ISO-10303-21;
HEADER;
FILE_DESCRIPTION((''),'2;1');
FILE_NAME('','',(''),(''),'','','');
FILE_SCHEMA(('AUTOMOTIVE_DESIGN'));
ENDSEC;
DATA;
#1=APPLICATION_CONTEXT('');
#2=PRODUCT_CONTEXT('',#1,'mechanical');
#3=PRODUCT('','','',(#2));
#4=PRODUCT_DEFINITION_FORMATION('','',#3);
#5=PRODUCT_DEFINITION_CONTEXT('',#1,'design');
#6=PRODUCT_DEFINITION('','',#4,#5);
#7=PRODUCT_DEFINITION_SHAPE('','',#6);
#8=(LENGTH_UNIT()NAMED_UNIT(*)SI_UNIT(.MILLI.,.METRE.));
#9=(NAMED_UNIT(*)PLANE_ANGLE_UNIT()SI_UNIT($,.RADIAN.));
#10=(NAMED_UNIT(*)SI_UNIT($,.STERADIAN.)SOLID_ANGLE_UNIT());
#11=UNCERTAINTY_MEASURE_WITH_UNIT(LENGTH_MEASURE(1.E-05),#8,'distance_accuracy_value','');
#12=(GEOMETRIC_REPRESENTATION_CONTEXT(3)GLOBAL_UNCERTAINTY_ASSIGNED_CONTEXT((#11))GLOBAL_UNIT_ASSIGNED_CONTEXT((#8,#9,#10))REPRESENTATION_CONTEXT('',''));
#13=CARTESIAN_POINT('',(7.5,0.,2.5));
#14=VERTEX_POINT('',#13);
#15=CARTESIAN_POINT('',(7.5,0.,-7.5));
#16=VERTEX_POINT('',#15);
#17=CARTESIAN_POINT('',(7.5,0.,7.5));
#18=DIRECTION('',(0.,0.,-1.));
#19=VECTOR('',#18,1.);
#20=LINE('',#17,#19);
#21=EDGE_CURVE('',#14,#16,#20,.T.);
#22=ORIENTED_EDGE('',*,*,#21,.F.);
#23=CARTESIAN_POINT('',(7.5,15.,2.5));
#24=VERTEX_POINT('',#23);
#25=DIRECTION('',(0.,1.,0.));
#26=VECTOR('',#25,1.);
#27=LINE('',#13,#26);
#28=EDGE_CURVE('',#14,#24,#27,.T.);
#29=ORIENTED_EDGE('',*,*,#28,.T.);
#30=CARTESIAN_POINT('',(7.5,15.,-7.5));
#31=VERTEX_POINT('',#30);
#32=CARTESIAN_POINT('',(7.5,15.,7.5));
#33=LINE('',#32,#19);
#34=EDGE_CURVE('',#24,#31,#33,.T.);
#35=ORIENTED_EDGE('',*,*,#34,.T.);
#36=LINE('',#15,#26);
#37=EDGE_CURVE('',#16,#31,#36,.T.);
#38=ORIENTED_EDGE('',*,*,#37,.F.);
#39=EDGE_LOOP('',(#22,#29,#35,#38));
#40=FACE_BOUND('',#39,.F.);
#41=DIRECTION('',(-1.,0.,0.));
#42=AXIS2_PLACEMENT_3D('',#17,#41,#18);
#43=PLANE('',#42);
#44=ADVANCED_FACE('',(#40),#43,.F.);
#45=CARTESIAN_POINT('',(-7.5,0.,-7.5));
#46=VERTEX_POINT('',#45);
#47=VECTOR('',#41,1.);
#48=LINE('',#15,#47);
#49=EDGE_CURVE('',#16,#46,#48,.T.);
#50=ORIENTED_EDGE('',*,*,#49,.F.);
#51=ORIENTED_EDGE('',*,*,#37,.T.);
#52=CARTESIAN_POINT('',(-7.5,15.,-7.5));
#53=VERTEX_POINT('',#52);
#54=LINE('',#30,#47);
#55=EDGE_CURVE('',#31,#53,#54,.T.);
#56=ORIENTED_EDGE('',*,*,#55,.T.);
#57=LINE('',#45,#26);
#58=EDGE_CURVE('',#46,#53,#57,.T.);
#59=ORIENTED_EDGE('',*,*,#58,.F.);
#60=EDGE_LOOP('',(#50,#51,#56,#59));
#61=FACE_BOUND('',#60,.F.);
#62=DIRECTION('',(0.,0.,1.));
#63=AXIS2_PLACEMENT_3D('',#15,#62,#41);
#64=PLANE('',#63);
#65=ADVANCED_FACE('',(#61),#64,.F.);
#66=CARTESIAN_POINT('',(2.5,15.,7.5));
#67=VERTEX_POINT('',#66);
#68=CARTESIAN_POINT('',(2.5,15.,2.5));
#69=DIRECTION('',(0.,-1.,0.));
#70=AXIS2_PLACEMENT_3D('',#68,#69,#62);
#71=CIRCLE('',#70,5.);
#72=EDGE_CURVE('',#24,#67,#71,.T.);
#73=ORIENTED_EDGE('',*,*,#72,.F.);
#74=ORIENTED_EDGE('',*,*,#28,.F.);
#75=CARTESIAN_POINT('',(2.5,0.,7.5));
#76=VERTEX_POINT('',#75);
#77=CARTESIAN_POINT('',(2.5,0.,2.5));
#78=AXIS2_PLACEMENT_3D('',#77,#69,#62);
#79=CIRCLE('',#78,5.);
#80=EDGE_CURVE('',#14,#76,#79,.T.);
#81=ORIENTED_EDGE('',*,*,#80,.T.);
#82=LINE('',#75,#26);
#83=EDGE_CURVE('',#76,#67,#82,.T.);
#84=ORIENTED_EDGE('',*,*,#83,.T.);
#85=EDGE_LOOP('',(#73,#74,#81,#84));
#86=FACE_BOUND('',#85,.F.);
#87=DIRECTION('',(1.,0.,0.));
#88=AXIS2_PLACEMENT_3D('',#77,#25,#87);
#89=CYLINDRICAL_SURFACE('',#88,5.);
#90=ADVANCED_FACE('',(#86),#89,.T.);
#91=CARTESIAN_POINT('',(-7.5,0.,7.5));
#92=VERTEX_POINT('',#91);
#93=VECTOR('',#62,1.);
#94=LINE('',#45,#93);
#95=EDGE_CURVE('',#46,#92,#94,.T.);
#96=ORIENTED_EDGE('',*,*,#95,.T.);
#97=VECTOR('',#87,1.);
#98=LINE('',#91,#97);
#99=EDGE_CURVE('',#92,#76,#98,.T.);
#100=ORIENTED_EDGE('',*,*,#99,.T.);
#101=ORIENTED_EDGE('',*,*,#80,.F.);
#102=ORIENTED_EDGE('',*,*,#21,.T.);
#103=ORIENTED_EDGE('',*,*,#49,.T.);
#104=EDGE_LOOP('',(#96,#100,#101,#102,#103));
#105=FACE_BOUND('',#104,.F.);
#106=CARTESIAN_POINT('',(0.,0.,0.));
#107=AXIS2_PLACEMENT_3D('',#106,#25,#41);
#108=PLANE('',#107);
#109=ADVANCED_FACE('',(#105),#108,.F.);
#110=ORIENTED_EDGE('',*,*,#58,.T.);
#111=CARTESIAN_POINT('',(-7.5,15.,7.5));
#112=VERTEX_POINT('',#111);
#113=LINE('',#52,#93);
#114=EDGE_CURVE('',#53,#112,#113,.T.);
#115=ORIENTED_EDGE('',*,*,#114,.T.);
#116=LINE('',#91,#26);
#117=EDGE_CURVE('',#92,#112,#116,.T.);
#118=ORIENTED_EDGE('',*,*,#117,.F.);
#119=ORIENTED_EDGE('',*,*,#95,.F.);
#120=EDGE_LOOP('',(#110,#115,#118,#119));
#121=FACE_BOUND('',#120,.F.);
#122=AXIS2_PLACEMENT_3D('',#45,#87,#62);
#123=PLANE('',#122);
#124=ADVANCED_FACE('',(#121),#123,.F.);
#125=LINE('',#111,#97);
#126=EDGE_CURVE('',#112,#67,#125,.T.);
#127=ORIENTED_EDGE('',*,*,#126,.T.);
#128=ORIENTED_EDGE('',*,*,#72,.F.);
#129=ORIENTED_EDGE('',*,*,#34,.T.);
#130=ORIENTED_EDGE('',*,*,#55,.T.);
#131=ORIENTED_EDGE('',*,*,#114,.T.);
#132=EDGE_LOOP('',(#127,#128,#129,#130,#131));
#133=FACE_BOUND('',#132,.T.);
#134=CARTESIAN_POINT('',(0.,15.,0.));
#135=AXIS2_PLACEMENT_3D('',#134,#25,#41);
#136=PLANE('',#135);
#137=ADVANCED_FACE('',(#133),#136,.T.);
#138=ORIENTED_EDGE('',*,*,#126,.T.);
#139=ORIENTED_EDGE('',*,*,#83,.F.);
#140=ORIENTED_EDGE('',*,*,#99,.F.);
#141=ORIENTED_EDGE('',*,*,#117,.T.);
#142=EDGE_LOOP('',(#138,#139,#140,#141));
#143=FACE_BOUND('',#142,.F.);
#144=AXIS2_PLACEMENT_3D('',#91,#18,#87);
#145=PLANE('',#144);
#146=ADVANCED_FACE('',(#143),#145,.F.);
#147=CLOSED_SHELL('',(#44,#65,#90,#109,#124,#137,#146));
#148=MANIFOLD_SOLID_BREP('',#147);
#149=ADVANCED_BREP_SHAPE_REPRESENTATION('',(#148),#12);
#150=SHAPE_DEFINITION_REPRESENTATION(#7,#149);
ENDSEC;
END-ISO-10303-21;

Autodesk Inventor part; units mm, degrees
ref_plane "YZ Plane" through (0, 0, 0) normal (1, 0, 0) x (0, 1, 0)
ref_plane "XZ Plane" through (0, 0, 0) normal (0, 1, 0) x (-1, 0, 0)
ref_plane "XY Plane" through (0, 0, 0) normal (0, 0, 1) x (1, 0, 0)
sketch "Sketch1" plane through (0, 0, 0) normal (0, 1, 0) x (-1, 0, 0)
  line L0 (7.5, 7.5) -> (-7.5, 7.5)
  line L1 (-7.5, 7.5) -> (-7.5, -7.5)
  line L2 (-7.5, -7.5) -> (7.5, -7.5)
  line L3 (7.5, -7.5) -> (7.5, 7.5)
  line L4 (7.5, 7.5) -> (-7.5, -7.5) construction
  line L5 (-7.5, 7.5) -> (7.5, -7.5) construction
  point P0 (0, 0)
  dimension "d0" = 15
  dimension "d1" = 15
extrude "Extrusion1" add sketch "Sketch1" along normal blind 15
fillet "Fillet1" radius 5 1 edges at (7.5, 7.5, 7.5)
properties part number "pata_base"
